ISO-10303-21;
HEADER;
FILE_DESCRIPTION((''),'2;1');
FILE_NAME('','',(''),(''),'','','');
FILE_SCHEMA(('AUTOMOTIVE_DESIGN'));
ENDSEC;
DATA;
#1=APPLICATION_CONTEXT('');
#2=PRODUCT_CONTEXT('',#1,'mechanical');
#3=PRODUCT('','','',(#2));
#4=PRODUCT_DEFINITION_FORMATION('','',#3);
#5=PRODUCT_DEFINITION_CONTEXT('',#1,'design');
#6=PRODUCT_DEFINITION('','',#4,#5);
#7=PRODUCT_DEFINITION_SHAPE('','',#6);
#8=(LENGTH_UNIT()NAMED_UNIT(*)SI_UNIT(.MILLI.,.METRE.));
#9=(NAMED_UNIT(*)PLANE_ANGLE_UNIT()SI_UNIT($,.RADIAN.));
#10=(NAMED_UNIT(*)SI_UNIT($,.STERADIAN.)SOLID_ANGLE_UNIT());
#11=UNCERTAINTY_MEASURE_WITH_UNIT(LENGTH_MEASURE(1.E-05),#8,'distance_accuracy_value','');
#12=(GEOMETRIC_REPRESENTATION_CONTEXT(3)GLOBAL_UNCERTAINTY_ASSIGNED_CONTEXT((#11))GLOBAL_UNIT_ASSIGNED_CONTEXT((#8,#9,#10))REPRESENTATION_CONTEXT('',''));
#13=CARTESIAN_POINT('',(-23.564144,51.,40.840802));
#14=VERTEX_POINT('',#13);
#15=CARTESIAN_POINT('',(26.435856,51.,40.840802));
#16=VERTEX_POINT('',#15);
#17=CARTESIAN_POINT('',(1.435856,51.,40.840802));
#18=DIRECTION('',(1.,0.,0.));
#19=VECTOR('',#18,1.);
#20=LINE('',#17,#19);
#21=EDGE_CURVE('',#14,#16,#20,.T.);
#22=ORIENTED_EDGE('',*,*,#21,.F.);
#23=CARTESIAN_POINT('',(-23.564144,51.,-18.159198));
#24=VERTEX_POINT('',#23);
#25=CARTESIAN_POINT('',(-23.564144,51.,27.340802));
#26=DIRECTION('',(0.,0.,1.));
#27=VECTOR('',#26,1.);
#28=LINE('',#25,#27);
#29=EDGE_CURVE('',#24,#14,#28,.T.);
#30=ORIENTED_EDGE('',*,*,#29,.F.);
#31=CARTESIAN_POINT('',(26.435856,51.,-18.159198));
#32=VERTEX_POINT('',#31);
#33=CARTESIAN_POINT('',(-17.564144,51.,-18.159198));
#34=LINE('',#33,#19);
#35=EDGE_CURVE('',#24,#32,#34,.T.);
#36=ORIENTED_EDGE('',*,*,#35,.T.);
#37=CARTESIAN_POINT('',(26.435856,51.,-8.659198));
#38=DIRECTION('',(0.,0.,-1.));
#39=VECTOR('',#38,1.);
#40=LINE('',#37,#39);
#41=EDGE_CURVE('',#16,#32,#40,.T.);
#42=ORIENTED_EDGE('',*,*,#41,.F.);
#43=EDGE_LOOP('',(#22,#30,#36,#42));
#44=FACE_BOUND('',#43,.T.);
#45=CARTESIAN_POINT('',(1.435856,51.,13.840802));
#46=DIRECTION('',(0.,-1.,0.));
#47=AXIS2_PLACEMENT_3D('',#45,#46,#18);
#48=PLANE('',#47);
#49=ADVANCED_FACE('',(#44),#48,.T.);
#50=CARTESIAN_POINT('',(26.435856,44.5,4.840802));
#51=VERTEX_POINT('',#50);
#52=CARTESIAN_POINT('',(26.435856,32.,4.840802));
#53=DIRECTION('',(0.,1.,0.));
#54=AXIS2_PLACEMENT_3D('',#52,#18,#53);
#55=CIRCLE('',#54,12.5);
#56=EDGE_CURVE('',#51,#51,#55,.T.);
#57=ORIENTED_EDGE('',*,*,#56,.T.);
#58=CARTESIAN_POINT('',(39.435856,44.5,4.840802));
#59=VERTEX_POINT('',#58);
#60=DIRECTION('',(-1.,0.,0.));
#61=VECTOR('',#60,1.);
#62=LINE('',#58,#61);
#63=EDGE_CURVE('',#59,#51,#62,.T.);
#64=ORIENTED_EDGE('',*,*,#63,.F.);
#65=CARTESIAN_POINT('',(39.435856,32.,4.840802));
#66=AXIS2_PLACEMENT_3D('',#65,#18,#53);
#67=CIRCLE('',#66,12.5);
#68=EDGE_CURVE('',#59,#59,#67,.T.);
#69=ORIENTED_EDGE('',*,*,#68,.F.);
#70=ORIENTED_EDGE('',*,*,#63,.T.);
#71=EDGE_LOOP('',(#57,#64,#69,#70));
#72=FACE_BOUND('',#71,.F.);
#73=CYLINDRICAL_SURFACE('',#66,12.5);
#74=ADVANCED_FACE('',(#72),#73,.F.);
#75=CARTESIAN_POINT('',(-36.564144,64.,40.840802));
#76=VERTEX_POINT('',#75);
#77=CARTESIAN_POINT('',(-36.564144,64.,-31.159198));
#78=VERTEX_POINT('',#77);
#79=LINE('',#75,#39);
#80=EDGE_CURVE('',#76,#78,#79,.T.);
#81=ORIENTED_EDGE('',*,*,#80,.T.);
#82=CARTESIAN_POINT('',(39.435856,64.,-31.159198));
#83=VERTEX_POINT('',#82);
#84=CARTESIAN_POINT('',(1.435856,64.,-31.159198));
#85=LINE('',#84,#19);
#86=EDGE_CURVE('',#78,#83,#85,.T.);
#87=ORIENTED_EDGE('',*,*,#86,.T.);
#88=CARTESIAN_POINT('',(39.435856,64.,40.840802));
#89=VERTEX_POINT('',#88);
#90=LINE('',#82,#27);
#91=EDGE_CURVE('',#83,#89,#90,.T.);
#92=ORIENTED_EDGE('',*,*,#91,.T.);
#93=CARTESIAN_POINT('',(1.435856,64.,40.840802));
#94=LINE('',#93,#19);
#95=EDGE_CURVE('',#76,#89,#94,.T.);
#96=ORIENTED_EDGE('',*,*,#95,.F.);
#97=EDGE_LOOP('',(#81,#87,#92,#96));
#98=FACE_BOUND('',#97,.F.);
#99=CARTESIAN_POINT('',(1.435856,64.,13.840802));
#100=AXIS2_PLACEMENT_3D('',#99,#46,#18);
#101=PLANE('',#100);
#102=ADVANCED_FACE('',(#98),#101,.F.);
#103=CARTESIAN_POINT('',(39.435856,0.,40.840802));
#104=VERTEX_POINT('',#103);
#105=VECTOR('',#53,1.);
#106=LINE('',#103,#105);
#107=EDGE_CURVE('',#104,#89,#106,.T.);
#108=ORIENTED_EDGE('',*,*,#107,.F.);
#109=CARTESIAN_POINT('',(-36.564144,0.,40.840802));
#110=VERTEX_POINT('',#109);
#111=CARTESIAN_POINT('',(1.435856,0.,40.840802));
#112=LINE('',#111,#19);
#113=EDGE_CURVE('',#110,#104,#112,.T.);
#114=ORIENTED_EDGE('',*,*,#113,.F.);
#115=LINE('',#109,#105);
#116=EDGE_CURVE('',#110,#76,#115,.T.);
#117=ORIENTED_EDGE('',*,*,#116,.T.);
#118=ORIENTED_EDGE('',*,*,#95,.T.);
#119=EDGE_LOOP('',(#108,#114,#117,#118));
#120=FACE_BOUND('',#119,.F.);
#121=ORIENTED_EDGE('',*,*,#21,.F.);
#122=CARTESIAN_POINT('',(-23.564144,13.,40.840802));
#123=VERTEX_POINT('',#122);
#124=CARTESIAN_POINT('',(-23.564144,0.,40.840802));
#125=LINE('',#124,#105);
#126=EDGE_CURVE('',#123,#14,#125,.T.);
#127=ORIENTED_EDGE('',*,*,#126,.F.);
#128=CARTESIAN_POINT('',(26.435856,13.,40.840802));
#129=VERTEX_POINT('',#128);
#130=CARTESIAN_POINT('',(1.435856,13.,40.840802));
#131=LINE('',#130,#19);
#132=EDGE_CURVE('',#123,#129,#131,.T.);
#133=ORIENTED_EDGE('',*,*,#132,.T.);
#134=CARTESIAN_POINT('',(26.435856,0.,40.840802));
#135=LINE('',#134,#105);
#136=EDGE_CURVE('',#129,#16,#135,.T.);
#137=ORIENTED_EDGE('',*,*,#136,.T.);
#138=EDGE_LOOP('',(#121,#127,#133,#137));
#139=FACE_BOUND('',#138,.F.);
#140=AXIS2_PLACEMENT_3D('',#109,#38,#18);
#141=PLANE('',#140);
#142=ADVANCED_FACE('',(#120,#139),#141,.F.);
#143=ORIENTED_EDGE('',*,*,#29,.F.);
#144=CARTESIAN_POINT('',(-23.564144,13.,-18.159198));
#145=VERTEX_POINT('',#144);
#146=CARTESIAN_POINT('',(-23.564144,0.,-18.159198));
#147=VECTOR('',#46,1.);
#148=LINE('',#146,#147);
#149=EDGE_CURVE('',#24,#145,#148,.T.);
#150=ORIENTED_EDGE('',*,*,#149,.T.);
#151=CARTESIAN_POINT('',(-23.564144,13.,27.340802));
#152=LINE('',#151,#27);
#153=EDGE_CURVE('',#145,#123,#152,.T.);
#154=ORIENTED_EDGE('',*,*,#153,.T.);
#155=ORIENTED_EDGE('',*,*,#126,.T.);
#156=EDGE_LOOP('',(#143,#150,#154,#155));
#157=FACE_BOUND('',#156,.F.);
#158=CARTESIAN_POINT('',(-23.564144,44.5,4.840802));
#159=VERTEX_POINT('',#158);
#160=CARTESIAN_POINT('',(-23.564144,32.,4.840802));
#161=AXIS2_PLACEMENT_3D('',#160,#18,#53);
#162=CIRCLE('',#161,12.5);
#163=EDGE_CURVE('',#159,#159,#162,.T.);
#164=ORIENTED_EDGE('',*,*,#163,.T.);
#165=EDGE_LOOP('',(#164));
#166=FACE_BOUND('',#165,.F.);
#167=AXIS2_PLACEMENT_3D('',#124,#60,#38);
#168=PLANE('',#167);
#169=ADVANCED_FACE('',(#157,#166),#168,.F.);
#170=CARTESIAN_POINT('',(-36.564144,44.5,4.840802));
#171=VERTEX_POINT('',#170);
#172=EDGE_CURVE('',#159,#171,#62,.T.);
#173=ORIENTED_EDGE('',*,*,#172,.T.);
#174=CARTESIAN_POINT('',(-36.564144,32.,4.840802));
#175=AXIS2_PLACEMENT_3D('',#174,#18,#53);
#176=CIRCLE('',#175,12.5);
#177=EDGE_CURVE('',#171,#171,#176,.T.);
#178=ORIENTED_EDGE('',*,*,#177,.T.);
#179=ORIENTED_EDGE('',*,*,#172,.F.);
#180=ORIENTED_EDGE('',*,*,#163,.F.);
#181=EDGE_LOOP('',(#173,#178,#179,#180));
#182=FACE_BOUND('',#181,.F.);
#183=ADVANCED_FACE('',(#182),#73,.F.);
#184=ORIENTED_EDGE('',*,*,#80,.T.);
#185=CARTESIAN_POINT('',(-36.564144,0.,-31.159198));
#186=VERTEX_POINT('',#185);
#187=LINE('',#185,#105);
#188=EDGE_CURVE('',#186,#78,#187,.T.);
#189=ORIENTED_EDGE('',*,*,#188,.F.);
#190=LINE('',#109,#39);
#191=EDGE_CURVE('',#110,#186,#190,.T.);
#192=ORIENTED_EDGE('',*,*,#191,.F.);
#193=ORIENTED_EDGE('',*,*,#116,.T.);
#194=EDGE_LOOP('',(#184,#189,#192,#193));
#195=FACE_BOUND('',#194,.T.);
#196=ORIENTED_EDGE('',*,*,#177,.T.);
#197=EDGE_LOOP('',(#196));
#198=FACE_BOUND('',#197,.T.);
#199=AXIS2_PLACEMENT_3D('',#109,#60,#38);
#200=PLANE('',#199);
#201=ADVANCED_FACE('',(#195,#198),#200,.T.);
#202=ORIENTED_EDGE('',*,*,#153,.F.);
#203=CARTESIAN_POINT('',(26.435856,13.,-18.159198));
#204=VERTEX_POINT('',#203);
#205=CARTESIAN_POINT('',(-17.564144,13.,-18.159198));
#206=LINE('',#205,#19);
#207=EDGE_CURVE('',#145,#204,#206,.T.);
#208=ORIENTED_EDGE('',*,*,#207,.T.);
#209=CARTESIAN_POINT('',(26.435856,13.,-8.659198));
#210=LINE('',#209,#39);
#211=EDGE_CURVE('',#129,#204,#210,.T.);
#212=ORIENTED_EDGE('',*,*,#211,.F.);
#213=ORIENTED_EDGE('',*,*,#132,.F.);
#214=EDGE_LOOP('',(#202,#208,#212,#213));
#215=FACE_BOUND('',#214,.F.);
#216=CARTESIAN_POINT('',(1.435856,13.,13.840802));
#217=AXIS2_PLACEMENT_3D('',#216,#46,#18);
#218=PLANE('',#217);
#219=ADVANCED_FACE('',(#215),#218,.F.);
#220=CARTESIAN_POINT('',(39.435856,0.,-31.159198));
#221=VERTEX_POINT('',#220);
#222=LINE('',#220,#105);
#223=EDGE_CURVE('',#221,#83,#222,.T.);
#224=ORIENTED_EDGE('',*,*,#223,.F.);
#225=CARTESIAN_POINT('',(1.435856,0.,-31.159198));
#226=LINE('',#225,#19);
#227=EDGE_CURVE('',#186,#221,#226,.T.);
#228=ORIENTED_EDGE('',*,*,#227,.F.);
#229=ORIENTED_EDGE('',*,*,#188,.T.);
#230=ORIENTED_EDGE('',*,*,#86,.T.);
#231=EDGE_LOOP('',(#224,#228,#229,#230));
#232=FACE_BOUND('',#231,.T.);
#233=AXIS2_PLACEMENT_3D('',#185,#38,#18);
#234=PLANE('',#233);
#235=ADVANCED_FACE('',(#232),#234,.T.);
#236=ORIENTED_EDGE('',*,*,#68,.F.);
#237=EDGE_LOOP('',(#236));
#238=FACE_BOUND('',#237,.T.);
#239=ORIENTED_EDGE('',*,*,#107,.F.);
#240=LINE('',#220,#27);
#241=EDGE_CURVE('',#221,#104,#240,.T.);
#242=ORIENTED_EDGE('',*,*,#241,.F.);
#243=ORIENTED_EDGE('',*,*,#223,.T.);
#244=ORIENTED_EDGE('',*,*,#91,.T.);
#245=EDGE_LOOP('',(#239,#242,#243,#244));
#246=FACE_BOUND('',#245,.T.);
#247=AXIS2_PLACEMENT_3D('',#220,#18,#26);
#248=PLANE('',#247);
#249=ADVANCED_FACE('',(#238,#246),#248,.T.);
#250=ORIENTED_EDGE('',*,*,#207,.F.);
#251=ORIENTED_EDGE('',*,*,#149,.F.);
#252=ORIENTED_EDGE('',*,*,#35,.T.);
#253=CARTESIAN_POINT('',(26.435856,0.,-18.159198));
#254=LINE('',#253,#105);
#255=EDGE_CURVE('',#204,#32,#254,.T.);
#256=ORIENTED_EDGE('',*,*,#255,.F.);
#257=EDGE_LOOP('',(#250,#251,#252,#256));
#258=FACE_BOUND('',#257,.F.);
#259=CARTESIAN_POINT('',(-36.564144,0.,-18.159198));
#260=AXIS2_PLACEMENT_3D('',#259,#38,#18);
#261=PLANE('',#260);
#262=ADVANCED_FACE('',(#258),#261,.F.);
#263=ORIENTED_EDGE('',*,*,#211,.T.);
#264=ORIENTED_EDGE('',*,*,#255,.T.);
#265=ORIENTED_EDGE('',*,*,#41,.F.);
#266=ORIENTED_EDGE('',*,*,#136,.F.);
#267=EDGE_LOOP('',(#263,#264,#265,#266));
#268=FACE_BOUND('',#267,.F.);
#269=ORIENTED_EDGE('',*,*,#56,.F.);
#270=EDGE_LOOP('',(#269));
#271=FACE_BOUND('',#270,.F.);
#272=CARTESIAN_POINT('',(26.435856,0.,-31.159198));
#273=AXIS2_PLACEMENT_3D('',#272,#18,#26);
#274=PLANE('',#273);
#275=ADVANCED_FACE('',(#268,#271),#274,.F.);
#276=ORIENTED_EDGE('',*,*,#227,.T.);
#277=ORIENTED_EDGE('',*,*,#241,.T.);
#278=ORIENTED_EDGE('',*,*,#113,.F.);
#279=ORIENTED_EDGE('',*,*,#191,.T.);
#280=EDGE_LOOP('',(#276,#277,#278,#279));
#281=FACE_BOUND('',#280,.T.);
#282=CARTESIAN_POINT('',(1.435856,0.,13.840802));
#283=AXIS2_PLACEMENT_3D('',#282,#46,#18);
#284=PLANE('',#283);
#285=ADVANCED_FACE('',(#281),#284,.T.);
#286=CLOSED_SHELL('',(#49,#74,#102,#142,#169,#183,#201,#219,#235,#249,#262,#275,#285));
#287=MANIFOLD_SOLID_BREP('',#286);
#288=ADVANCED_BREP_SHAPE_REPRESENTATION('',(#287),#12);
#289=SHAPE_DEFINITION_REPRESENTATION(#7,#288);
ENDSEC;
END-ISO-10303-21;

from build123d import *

# Parameters (mm, degrees)
F0_W     = 76
F0_H     = 54
F0_H_2   = 18
F1_DEPTH = 64
F2_T     = -13
F3_R     = 12.5
F4_DEPTH = 103.3


with BuildPart() as f1:
    # F0 (on Front) → F1 (new body)
    with BuildSketch(Plane.XZ):
        with Locations((1.435856, 13.840802)):
            Rectangle(F0_W, F0_H)
        with Locations((1.435856, -22.159198)):
            Rectangle(F0_W, F0_H_2)
    extrude(amount=-F1_DEPTH)

    # F2
    f2_openings = [f1.faces().sort_by_distance(p)[0] for p in [
        (1.435856, 32, 40.840802),
    ]]
    offset(amount=F2_T, openings=f2_openings)

    # F3 (on face) → F4 (cut)
    with BuildSketch(Plane.YZ.offset(39.435856)):
        with Locations((32, 4.840802)):
            Circle(F3_R)
    extrude(amount=-F4_DEPTH, mode=Mode.SUBTRACT)


solid = f1.part
